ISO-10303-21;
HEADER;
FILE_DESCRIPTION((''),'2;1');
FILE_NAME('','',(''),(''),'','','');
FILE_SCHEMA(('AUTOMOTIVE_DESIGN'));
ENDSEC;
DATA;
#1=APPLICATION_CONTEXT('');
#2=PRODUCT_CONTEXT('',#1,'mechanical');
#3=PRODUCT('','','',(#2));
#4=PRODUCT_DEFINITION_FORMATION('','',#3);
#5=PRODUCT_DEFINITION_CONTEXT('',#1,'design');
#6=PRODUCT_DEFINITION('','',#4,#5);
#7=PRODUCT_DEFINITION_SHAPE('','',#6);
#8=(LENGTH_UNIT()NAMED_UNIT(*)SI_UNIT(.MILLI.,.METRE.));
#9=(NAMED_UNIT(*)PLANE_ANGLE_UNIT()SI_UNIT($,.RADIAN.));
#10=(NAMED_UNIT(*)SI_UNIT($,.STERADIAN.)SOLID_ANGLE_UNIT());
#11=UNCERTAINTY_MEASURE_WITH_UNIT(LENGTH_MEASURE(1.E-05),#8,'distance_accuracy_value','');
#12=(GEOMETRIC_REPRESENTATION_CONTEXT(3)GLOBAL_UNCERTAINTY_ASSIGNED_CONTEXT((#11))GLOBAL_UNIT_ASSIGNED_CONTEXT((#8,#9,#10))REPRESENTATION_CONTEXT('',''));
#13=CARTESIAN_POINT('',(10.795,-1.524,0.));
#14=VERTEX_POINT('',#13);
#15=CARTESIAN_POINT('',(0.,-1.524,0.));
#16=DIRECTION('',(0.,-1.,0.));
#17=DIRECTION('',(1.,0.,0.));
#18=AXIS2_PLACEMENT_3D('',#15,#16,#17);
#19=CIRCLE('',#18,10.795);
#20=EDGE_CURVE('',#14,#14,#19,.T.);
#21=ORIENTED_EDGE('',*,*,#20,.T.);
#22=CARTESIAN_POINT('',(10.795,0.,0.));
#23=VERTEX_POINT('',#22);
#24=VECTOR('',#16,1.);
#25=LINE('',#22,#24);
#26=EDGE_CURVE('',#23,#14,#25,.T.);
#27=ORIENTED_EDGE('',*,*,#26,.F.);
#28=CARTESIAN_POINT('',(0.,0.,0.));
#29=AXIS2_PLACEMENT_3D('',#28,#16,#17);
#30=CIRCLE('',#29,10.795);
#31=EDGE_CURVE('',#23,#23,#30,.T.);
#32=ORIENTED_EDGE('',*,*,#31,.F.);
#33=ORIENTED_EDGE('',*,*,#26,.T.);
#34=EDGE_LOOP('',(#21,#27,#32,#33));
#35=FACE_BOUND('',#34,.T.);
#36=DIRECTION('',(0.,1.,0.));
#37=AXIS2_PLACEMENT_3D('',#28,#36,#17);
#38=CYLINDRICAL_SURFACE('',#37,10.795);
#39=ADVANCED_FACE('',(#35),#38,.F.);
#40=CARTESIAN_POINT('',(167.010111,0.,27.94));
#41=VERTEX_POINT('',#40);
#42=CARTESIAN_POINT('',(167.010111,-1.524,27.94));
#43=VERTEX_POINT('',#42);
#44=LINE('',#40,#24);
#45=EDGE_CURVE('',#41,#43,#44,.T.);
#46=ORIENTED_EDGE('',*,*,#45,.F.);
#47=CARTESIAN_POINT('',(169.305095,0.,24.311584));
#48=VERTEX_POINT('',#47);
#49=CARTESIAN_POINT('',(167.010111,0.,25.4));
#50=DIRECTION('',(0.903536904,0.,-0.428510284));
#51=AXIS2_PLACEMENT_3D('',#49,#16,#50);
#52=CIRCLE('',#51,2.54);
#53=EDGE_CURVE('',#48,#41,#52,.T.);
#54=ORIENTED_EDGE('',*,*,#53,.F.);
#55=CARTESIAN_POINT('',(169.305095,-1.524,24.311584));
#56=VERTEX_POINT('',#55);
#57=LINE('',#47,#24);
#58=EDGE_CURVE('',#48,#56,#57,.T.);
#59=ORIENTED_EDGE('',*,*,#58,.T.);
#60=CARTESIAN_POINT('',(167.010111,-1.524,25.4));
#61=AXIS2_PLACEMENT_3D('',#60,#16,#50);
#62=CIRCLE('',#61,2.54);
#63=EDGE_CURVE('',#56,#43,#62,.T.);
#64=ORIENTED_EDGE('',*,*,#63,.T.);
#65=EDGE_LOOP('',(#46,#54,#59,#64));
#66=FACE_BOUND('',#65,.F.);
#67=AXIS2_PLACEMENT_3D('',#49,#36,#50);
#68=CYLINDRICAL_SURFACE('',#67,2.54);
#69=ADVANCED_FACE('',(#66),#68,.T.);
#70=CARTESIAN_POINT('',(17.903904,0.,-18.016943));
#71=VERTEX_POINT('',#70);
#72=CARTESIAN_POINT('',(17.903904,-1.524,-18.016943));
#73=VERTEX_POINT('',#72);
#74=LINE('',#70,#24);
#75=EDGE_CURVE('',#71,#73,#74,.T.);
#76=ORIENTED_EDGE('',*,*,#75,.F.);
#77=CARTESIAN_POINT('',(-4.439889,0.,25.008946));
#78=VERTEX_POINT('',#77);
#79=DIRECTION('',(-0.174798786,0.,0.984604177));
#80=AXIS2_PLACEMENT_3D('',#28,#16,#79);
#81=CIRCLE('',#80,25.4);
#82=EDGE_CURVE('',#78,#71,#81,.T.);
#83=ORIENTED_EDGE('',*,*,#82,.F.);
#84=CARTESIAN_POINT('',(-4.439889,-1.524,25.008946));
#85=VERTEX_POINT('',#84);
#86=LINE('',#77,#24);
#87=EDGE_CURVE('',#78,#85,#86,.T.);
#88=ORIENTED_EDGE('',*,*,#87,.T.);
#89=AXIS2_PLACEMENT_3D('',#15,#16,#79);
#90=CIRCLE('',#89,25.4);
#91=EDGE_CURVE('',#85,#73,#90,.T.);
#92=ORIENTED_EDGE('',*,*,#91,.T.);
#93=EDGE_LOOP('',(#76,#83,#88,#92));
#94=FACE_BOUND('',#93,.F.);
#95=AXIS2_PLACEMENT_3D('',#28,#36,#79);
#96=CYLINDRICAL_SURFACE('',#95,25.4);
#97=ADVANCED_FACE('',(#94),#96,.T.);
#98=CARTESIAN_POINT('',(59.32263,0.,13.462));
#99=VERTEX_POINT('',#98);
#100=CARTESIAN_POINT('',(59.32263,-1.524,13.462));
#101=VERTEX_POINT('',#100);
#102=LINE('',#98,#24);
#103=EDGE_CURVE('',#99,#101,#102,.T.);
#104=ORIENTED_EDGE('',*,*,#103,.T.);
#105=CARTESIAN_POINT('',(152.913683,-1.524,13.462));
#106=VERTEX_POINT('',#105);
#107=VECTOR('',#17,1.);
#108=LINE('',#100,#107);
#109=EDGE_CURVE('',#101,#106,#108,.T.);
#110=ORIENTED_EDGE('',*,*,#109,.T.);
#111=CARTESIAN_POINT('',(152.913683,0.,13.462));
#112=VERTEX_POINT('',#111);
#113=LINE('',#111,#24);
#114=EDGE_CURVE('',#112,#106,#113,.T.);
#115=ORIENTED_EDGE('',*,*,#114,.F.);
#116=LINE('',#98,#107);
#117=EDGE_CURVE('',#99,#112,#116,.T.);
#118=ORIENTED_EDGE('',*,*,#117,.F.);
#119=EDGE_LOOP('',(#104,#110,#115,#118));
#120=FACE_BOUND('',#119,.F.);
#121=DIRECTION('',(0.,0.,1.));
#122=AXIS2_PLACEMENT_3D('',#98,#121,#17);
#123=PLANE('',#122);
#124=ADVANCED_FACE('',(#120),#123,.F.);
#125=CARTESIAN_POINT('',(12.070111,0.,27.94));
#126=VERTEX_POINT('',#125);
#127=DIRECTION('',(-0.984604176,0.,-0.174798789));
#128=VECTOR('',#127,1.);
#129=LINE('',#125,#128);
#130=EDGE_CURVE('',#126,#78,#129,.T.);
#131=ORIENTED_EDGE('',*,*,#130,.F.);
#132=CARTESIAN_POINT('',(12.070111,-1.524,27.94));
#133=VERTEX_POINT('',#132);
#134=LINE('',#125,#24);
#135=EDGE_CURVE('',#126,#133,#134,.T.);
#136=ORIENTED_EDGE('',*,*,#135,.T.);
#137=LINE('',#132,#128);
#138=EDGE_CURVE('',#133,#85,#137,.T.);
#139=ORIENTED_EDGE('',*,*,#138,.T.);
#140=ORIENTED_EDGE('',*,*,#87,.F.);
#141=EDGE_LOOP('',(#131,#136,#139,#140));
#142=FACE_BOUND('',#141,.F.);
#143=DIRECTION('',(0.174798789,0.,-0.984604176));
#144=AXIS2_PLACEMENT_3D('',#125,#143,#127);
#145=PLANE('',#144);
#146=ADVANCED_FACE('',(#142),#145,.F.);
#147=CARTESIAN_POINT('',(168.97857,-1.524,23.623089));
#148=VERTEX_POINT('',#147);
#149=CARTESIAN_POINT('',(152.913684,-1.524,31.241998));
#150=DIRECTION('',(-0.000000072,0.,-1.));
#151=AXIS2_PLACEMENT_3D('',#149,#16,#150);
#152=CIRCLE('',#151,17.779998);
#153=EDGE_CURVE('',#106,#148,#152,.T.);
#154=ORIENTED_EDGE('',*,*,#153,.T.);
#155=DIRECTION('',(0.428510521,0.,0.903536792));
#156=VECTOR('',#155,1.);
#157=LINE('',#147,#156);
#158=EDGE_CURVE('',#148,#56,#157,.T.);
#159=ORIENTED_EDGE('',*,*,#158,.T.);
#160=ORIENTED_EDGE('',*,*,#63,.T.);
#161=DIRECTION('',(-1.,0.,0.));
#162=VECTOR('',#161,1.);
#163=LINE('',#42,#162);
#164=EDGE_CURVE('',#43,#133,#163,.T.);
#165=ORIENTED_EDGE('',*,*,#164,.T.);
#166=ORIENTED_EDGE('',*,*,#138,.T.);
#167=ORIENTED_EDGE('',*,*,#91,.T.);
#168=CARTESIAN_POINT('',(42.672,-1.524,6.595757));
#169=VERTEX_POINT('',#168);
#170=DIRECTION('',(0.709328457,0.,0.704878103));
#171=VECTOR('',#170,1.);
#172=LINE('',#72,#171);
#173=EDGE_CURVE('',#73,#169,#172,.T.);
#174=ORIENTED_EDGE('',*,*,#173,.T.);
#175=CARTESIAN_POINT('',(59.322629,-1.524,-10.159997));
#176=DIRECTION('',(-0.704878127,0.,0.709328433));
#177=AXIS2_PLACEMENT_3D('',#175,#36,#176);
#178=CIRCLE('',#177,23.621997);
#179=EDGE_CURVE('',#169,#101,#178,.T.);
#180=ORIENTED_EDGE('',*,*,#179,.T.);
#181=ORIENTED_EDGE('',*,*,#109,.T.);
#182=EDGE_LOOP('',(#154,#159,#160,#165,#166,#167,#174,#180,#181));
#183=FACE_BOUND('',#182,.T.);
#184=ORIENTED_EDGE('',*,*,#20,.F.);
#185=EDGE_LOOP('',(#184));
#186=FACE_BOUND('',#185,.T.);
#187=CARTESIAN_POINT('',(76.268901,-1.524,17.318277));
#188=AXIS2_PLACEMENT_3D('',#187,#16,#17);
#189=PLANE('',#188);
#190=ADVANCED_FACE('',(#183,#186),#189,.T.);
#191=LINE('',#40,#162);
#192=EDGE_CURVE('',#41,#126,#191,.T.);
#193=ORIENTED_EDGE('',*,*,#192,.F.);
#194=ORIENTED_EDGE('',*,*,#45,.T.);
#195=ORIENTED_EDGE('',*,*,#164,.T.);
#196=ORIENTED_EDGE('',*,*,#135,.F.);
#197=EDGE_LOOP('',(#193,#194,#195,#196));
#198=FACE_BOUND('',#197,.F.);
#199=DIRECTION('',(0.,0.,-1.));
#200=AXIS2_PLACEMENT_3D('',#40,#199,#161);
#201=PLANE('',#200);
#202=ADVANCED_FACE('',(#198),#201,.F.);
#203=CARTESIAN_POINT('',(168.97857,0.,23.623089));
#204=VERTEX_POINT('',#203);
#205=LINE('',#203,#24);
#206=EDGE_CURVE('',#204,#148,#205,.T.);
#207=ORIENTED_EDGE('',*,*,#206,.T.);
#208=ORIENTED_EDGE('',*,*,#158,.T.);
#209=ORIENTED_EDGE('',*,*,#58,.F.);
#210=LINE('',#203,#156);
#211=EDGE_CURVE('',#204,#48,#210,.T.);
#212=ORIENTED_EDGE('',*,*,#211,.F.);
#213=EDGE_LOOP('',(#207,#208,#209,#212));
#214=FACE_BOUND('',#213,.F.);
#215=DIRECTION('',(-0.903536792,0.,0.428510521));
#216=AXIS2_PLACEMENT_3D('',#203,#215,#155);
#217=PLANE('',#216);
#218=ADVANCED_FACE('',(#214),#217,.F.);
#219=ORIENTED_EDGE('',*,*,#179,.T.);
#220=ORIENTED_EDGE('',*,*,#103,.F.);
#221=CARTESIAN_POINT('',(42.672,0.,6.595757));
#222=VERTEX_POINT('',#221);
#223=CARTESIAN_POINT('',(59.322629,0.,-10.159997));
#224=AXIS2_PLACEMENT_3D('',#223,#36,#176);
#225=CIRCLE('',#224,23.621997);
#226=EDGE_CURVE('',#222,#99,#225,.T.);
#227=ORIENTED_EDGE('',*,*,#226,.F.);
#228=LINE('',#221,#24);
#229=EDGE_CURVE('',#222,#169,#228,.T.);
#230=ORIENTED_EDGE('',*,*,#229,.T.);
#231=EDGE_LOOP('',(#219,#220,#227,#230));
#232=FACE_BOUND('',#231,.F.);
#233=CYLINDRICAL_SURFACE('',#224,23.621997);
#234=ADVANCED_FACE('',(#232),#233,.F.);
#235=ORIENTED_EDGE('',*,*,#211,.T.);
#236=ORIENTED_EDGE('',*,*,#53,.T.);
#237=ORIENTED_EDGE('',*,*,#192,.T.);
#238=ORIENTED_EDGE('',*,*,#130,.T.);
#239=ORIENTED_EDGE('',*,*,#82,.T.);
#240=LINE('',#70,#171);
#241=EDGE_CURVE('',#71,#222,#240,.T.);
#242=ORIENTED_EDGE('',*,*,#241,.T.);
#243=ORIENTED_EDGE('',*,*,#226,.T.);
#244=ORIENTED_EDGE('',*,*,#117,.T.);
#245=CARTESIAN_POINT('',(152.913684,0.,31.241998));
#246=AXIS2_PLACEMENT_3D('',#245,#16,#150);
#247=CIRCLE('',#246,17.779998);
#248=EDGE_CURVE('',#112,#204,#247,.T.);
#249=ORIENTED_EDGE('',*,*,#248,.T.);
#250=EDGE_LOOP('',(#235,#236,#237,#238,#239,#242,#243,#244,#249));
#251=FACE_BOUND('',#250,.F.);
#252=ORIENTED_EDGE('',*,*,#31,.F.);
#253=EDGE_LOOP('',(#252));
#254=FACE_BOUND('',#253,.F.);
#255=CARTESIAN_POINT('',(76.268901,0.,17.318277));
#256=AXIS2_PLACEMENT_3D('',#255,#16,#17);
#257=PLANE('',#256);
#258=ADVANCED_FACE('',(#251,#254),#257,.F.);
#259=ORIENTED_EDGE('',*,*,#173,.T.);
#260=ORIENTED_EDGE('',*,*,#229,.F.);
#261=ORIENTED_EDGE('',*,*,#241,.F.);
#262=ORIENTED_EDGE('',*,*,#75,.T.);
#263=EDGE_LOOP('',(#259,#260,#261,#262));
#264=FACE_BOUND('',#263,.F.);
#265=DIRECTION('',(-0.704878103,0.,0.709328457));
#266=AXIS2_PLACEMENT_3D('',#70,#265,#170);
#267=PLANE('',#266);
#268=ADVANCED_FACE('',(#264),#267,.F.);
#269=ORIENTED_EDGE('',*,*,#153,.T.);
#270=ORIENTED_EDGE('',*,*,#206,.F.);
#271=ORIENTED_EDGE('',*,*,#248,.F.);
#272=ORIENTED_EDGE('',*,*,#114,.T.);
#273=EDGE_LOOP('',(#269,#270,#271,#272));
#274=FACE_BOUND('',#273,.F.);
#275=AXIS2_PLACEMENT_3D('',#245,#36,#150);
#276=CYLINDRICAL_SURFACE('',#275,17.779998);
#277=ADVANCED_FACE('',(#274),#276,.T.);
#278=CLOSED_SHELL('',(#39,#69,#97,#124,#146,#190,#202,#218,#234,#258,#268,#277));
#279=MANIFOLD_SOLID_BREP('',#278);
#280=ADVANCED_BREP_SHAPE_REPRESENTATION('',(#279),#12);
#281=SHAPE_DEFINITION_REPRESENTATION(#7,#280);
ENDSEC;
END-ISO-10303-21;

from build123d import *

# Parameters (mm, degrees)
F0_R     = 10.795
F1_DEPTH = 1.524


with BuildPart() as f1:
    # F0 (on Front) → F1 (new body)
    with BuildSketch(Plane.XZ):
        with BuildLine():
            ThreePointArc((-4.439889, 25.008946), (16.315435, 19.467064), (25.4, 0))
            ThreePointArc((25.4, 0), (23.451217, -9.75707), (17.903904, -18.016943))
            Line((17.903904, -18.016943), (42.672, 6.595757))
            ThreePointArc((42.672, 6.595757), (50.317232, 11.678079), (59.32263, 13.462))
            Line((59.32263, 13.462), (152.913683, 13.462))
            ThreePointArc((152.913683, 13.462), (162.418002, 16.215479), (168.97857, 23.623089))
            Line((168.97857, 23.623089), (169.305095, 24.311584))
            ThreePointArc((169.305095, 24.311584), (169.156757, 26.75776), (167.010111, 27.94))
            Line((167.010111, 27.94), (12.070111, 27.94))
            Line((12.070111, 27.94), (-4.439889, 25.008946))
        make_face()
        with BuildLine():
            ThreePointArc((17.903904, -18.016943), (23.451217, -9.75707), (25.4, 0))
            ThreePointArc((25.4, 0), (16.315435, 19.467064), (-4.439889, 25.008946))
            ThreePointArc((-4.439889, 25.008946), (-22.541666, -11.706122), (17.903904, -18.016943))
        make_face()
        Circle(F0_R, mode=Mode.SUBTRACT)
    extrude(amount=F1_DEPTH)


solid = f1.part
